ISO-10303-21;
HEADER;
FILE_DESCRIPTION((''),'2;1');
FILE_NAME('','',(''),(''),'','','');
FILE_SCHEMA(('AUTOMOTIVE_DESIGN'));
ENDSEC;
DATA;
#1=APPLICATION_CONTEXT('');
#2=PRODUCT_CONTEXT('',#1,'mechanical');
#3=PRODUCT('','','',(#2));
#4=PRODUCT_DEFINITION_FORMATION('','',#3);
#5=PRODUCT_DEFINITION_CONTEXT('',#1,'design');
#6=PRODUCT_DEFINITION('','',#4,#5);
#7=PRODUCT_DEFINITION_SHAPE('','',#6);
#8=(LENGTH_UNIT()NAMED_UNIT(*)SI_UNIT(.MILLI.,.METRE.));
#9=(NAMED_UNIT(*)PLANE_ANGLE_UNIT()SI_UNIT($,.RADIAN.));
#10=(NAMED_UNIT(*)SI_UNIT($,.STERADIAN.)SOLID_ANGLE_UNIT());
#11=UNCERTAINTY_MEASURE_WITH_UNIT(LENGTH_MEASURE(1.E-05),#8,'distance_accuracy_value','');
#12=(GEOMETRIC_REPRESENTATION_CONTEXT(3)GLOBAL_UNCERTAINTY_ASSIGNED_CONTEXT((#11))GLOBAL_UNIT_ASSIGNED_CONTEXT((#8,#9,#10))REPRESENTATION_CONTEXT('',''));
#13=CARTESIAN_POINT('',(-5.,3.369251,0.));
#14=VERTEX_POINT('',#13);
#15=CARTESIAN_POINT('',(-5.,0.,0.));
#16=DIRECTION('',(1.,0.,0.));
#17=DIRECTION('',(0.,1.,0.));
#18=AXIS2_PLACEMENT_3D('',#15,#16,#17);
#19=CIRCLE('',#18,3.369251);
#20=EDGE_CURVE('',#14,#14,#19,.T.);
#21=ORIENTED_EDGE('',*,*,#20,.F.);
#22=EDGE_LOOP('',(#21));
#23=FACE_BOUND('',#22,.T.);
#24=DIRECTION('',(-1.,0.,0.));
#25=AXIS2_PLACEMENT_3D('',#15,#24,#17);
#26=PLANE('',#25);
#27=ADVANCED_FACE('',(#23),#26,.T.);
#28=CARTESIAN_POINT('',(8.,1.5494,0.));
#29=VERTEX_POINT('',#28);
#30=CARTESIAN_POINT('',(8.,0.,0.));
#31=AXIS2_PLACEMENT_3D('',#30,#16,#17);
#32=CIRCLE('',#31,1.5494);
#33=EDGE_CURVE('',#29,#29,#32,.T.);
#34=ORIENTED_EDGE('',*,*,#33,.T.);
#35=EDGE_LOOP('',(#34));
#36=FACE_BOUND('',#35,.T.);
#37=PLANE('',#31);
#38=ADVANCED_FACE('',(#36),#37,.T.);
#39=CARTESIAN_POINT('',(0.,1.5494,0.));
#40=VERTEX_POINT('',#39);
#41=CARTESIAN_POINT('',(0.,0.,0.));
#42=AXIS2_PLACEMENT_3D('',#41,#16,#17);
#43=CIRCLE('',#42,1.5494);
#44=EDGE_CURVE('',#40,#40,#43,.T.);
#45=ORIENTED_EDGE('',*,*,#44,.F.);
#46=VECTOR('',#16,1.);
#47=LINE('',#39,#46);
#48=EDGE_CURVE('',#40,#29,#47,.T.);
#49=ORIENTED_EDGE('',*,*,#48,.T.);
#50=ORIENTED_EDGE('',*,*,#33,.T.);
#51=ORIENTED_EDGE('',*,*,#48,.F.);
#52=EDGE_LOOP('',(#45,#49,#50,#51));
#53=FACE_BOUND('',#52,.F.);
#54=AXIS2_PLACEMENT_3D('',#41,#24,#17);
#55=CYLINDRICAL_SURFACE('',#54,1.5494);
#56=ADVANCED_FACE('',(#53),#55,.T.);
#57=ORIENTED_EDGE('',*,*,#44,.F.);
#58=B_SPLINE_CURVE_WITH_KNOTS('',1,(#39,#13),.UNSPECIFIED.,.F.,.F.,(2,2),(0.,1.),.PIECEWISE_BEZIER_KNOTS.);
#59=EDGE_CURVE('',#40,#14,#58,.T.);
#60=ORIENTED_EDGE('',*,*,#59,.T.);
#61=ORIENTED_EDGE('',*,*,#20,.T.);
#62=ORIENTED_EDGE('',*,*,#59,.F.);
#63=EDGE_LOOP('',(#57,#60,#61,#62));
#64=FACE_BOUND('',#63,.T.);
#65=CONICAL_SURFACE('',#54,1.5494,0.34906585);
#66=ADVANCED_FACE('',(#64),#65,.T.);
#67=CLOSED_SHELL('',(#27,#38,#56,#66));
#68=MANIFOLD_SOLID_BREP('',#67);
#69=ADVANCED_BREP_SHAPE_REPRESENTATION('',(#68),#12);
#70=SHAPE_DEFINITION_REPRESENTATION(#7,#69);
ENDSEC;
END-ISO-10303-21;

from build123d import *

# Parameters (mm, degrees)
F0_R      = 1.5494
F1_DEPTH  = 8
F1_FACE_R = 1.5494
F3_DEPTH  = 5
F3_TAPER  = -20


with BuildPart() as f1:
    # F0 (on Right) → F1 (new body)
    with BuildSketch(Plane.YZ):
        Circle(F0_R)
    extrude(amount=F1_DEPTH)

    # F1_face (on face) → F3 (join, through all)
    with BuildSketch(Plane(origin=(0, 0, 0), x_dir=(0, 1, 0), z_dir=(-1, 0, 0))):
        Circle(F1_FACE_R)
    extrude(amount=F3_DEPTH, taper=F3_TAPER)


solid = f1.part
